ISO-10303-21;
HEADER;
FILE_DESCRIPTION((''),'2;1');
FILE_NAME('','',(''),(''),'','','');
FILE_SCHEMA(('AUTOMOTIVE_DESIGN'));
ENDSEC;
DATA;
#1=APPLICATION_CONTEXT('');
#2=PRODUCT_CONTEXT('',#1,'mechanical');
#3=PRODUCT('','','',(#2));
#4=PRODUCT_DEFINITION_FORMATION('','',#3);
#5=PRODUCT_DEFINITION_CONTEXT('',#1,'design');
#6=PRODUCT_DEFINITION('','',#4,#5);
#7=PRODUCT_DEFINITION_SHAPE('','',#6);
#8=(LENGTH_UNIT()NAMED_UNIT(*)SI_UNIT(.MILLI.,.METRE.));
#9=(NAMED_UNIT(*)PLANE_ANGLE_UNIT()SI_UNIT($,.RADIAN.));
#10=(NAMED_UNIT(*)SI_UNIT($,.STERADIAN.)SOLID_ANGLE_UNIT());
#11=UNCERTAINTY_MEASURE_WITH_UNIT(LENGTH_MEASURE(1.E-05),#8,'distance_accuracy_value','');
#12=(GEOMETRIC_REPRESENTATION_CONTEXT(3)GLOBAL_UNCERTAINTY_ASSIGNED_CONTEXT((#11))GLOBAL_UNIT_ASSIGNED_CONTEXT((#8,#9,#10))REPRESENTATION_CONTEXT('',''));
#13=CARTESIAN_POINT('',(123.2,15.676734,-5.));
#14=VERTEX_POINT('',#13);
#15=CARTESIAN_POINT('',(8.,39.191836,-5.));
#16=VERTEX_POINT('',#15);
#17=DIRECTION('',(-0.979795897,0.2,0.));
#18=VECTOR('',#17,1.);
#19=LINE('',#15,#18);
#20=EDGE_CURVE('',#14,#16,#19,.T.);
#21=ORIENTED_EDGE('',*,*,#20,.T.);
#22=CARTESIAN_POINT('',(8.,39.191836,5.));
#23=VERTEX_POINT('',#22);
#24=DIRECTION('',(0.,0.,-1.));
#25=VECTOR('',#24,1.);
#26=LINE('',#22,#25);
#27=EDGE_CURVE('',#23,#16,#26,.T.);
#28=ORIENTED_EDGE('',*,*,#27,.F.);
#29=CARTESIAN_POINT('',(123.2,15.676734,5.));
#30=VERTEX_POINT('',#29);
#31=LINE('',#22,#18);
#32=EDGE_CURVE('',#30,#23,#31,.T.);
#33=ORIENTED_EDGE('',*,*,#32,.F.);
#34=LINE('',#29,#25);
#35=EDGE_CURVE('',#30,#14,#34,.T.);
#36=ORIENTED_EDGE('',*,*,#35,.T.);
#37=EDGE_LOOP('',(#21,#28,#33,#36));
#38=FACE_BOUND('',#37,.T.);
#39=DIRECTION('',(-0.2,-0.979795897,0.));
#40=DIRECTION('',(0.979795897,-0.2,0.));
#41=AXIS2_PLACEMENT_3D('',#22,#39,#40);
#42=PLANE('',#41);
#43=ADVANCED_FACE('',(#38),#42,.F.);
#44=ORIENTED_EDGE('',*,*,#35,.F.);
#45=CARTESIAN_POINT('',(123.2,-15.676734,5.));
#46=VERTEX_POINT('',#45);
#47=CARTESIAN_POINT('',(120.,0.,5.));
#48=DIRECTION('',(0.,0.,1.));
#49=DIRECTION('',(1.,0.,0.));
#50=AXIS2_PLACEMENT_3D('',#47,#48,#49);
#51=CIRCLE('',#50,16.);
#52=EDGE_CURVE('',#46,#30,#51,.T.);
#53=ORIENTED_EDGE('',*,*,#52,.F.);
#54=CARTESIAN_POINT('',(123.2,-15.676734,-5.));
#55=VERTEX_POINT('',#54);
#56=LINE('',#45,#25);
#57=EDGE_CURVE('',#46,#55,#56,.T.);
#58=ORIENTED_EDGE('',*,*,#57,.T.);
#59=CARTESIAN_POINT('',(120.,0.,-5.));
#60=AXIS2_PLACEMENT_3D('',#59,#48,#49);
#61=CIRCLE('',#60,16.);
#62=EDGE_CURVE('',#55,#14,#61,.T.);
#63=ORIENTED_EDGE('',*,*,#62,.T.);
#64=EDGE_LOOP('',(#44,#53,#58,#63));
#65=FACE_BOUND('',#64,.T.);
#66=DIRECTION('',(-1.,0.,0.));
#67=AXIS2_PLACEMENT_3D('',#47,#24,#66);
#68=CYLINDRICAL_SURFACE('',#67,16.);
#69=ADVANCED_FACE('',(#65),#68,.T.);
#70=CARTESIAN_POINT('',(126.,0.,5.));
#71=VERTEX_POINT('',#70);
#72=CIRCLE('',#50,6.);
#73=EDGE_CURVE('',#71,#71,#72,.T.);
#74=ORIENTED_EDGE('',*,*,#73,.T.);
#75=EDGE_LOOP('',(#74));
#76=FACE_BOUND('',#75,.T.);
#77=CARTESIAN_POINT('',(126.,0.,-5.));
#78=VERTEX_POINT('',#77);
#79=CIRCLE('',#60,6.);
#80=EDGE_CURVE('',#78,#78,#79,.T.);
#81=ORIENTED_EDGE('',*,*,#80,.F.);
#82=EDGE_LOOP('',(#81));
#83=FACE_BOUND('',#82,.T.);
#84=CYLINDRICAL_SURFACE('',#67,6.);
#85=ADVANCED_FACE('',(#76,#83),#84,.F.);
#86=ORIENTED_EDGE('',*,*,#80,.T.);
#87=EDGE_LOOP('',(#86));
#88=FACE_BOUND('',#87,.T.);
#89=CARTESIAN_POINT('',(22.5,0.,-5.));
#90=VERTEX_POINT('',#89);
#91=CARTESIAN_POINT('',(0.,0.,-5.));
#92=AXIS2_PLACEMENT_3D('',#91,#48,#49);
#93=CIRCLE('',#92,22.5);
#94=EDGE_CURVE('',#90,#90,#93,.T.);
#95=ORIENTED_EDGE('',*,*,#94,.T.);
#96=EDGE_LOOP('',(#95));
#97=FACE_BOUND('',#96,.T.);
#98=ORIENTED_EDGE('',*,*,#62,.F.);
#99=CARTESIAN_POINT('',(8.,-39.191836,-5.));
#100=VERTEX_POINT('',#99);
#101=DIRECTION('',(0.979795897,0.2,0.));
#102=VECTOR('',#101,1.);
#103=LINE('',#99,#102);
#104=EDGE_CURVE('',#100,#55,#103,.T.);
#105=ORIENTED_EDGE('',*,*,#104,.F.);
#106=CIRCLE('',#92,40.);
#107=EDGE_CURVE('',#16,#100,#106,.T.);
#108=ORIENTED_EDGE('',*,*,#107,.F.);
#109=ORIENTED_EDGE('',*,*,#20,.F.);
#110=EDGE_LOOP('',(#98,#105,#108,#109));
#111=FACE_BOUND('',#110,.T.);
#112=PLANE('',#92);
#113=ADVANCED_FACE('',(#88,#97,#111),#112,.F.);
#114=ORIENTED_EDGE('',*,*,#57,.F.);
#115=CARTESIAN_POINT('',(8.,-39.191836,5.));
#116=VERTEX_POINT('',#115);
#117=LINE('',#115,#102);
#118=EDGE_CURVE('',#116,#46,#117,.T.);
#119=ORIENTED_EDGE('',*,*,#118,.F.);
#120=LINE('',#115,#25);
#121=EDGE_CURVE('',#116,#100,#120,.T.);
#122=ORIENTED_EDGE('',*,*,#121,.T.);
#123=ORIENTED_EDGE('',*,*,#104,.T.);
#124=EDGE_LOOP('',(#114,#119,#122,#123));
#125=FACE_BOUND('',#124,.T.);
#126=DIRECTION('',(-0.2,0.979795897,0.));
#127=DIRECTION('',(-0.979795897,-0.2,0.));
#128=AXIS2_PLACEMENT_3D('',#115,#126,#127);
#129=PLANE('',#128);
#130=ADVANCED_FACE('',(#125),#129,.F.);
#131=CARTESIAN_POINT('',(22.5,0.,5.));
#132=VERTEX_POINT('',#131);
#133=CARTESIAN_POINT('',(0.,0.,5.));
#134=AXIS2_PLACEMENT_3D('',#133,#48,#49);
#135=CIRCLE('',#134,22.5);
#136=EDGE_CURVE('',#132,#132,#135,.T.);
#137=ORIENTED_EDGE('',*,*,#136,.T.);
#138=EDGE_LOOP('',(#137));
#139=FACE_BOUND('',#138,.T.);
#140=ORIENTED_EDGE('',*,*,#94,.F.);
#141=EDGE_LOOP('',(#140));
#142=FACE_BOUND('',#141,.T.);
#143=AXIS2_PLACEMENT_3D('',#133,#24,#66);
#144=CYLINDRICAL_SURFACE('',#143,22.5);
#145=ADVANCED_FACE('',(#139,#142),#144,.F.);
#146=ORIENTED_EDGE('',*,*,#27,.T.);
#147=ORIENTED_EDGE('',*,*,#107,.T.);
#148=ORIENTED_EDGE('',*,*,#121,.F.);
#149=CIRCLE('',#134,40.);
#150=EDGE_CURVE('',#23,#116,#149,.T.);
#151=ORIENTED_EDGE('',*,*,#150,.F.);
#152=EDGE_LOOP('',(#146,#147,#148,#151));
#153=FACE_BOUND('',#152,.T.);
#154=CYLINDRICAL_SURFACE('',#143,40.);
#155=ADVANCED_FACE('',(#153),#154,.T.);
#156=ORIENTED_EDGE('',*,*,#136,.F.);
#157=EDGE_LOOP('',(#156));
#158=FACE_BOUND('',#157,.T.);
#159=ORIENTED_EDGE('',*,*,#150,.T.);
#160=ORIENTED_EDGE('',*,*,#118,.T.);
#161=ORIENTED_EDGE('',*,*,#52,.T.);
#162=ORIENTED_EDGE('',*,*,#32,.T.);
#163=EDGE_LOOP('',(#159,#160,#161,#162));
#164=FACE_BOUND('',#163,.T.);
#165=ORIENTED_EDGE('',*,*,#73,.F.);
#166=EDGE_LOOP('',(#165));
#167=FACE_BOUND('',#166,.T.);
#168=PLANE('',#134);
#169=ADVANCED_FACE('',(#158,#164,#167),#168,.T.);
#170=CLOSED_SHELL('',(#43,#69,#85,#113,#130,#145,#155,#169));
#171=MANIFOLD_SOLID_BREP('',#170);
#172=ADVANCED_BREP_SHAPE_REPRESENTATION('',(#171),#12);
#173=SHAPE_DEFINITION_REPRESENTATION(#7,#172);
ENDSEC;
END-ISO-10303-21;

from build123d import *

# Parameters (mm, degrees)
ESQUISSE1_R          = 6
ESQUISSE1_R_2        = 22.5
BASE_EXTRUSION_DEPTH = 5


with BuildPart() as part:
    # Esquisse1 → Base-Extrusion (new, symmetric)
    with BuildSketch(Plane.XY):
        with BuildLine():
            Line((8, 39.191835885), (123.2, 15.676734354))
            ThreePointArc((123.2, 15.676734354), (136, 0), (123.2, -15.676734354))
            Line((123.2, -15.676734354), (8, -39.191835885))
            ThreePointArc((8, -39.191835885), (-40, 0), (8, 39.191835885))
        make_face()
        with Locations((120, 0)):
            Circle(ESQUISSE1_R, mode=Mode.SUBTRACT)
        Circle(ESQUISSE1_R_2, mode=Mode.SUBTRACT)
    extrude(amount=BASE_EXTRUSION_DEPTH, both=True)


solid = part.part
